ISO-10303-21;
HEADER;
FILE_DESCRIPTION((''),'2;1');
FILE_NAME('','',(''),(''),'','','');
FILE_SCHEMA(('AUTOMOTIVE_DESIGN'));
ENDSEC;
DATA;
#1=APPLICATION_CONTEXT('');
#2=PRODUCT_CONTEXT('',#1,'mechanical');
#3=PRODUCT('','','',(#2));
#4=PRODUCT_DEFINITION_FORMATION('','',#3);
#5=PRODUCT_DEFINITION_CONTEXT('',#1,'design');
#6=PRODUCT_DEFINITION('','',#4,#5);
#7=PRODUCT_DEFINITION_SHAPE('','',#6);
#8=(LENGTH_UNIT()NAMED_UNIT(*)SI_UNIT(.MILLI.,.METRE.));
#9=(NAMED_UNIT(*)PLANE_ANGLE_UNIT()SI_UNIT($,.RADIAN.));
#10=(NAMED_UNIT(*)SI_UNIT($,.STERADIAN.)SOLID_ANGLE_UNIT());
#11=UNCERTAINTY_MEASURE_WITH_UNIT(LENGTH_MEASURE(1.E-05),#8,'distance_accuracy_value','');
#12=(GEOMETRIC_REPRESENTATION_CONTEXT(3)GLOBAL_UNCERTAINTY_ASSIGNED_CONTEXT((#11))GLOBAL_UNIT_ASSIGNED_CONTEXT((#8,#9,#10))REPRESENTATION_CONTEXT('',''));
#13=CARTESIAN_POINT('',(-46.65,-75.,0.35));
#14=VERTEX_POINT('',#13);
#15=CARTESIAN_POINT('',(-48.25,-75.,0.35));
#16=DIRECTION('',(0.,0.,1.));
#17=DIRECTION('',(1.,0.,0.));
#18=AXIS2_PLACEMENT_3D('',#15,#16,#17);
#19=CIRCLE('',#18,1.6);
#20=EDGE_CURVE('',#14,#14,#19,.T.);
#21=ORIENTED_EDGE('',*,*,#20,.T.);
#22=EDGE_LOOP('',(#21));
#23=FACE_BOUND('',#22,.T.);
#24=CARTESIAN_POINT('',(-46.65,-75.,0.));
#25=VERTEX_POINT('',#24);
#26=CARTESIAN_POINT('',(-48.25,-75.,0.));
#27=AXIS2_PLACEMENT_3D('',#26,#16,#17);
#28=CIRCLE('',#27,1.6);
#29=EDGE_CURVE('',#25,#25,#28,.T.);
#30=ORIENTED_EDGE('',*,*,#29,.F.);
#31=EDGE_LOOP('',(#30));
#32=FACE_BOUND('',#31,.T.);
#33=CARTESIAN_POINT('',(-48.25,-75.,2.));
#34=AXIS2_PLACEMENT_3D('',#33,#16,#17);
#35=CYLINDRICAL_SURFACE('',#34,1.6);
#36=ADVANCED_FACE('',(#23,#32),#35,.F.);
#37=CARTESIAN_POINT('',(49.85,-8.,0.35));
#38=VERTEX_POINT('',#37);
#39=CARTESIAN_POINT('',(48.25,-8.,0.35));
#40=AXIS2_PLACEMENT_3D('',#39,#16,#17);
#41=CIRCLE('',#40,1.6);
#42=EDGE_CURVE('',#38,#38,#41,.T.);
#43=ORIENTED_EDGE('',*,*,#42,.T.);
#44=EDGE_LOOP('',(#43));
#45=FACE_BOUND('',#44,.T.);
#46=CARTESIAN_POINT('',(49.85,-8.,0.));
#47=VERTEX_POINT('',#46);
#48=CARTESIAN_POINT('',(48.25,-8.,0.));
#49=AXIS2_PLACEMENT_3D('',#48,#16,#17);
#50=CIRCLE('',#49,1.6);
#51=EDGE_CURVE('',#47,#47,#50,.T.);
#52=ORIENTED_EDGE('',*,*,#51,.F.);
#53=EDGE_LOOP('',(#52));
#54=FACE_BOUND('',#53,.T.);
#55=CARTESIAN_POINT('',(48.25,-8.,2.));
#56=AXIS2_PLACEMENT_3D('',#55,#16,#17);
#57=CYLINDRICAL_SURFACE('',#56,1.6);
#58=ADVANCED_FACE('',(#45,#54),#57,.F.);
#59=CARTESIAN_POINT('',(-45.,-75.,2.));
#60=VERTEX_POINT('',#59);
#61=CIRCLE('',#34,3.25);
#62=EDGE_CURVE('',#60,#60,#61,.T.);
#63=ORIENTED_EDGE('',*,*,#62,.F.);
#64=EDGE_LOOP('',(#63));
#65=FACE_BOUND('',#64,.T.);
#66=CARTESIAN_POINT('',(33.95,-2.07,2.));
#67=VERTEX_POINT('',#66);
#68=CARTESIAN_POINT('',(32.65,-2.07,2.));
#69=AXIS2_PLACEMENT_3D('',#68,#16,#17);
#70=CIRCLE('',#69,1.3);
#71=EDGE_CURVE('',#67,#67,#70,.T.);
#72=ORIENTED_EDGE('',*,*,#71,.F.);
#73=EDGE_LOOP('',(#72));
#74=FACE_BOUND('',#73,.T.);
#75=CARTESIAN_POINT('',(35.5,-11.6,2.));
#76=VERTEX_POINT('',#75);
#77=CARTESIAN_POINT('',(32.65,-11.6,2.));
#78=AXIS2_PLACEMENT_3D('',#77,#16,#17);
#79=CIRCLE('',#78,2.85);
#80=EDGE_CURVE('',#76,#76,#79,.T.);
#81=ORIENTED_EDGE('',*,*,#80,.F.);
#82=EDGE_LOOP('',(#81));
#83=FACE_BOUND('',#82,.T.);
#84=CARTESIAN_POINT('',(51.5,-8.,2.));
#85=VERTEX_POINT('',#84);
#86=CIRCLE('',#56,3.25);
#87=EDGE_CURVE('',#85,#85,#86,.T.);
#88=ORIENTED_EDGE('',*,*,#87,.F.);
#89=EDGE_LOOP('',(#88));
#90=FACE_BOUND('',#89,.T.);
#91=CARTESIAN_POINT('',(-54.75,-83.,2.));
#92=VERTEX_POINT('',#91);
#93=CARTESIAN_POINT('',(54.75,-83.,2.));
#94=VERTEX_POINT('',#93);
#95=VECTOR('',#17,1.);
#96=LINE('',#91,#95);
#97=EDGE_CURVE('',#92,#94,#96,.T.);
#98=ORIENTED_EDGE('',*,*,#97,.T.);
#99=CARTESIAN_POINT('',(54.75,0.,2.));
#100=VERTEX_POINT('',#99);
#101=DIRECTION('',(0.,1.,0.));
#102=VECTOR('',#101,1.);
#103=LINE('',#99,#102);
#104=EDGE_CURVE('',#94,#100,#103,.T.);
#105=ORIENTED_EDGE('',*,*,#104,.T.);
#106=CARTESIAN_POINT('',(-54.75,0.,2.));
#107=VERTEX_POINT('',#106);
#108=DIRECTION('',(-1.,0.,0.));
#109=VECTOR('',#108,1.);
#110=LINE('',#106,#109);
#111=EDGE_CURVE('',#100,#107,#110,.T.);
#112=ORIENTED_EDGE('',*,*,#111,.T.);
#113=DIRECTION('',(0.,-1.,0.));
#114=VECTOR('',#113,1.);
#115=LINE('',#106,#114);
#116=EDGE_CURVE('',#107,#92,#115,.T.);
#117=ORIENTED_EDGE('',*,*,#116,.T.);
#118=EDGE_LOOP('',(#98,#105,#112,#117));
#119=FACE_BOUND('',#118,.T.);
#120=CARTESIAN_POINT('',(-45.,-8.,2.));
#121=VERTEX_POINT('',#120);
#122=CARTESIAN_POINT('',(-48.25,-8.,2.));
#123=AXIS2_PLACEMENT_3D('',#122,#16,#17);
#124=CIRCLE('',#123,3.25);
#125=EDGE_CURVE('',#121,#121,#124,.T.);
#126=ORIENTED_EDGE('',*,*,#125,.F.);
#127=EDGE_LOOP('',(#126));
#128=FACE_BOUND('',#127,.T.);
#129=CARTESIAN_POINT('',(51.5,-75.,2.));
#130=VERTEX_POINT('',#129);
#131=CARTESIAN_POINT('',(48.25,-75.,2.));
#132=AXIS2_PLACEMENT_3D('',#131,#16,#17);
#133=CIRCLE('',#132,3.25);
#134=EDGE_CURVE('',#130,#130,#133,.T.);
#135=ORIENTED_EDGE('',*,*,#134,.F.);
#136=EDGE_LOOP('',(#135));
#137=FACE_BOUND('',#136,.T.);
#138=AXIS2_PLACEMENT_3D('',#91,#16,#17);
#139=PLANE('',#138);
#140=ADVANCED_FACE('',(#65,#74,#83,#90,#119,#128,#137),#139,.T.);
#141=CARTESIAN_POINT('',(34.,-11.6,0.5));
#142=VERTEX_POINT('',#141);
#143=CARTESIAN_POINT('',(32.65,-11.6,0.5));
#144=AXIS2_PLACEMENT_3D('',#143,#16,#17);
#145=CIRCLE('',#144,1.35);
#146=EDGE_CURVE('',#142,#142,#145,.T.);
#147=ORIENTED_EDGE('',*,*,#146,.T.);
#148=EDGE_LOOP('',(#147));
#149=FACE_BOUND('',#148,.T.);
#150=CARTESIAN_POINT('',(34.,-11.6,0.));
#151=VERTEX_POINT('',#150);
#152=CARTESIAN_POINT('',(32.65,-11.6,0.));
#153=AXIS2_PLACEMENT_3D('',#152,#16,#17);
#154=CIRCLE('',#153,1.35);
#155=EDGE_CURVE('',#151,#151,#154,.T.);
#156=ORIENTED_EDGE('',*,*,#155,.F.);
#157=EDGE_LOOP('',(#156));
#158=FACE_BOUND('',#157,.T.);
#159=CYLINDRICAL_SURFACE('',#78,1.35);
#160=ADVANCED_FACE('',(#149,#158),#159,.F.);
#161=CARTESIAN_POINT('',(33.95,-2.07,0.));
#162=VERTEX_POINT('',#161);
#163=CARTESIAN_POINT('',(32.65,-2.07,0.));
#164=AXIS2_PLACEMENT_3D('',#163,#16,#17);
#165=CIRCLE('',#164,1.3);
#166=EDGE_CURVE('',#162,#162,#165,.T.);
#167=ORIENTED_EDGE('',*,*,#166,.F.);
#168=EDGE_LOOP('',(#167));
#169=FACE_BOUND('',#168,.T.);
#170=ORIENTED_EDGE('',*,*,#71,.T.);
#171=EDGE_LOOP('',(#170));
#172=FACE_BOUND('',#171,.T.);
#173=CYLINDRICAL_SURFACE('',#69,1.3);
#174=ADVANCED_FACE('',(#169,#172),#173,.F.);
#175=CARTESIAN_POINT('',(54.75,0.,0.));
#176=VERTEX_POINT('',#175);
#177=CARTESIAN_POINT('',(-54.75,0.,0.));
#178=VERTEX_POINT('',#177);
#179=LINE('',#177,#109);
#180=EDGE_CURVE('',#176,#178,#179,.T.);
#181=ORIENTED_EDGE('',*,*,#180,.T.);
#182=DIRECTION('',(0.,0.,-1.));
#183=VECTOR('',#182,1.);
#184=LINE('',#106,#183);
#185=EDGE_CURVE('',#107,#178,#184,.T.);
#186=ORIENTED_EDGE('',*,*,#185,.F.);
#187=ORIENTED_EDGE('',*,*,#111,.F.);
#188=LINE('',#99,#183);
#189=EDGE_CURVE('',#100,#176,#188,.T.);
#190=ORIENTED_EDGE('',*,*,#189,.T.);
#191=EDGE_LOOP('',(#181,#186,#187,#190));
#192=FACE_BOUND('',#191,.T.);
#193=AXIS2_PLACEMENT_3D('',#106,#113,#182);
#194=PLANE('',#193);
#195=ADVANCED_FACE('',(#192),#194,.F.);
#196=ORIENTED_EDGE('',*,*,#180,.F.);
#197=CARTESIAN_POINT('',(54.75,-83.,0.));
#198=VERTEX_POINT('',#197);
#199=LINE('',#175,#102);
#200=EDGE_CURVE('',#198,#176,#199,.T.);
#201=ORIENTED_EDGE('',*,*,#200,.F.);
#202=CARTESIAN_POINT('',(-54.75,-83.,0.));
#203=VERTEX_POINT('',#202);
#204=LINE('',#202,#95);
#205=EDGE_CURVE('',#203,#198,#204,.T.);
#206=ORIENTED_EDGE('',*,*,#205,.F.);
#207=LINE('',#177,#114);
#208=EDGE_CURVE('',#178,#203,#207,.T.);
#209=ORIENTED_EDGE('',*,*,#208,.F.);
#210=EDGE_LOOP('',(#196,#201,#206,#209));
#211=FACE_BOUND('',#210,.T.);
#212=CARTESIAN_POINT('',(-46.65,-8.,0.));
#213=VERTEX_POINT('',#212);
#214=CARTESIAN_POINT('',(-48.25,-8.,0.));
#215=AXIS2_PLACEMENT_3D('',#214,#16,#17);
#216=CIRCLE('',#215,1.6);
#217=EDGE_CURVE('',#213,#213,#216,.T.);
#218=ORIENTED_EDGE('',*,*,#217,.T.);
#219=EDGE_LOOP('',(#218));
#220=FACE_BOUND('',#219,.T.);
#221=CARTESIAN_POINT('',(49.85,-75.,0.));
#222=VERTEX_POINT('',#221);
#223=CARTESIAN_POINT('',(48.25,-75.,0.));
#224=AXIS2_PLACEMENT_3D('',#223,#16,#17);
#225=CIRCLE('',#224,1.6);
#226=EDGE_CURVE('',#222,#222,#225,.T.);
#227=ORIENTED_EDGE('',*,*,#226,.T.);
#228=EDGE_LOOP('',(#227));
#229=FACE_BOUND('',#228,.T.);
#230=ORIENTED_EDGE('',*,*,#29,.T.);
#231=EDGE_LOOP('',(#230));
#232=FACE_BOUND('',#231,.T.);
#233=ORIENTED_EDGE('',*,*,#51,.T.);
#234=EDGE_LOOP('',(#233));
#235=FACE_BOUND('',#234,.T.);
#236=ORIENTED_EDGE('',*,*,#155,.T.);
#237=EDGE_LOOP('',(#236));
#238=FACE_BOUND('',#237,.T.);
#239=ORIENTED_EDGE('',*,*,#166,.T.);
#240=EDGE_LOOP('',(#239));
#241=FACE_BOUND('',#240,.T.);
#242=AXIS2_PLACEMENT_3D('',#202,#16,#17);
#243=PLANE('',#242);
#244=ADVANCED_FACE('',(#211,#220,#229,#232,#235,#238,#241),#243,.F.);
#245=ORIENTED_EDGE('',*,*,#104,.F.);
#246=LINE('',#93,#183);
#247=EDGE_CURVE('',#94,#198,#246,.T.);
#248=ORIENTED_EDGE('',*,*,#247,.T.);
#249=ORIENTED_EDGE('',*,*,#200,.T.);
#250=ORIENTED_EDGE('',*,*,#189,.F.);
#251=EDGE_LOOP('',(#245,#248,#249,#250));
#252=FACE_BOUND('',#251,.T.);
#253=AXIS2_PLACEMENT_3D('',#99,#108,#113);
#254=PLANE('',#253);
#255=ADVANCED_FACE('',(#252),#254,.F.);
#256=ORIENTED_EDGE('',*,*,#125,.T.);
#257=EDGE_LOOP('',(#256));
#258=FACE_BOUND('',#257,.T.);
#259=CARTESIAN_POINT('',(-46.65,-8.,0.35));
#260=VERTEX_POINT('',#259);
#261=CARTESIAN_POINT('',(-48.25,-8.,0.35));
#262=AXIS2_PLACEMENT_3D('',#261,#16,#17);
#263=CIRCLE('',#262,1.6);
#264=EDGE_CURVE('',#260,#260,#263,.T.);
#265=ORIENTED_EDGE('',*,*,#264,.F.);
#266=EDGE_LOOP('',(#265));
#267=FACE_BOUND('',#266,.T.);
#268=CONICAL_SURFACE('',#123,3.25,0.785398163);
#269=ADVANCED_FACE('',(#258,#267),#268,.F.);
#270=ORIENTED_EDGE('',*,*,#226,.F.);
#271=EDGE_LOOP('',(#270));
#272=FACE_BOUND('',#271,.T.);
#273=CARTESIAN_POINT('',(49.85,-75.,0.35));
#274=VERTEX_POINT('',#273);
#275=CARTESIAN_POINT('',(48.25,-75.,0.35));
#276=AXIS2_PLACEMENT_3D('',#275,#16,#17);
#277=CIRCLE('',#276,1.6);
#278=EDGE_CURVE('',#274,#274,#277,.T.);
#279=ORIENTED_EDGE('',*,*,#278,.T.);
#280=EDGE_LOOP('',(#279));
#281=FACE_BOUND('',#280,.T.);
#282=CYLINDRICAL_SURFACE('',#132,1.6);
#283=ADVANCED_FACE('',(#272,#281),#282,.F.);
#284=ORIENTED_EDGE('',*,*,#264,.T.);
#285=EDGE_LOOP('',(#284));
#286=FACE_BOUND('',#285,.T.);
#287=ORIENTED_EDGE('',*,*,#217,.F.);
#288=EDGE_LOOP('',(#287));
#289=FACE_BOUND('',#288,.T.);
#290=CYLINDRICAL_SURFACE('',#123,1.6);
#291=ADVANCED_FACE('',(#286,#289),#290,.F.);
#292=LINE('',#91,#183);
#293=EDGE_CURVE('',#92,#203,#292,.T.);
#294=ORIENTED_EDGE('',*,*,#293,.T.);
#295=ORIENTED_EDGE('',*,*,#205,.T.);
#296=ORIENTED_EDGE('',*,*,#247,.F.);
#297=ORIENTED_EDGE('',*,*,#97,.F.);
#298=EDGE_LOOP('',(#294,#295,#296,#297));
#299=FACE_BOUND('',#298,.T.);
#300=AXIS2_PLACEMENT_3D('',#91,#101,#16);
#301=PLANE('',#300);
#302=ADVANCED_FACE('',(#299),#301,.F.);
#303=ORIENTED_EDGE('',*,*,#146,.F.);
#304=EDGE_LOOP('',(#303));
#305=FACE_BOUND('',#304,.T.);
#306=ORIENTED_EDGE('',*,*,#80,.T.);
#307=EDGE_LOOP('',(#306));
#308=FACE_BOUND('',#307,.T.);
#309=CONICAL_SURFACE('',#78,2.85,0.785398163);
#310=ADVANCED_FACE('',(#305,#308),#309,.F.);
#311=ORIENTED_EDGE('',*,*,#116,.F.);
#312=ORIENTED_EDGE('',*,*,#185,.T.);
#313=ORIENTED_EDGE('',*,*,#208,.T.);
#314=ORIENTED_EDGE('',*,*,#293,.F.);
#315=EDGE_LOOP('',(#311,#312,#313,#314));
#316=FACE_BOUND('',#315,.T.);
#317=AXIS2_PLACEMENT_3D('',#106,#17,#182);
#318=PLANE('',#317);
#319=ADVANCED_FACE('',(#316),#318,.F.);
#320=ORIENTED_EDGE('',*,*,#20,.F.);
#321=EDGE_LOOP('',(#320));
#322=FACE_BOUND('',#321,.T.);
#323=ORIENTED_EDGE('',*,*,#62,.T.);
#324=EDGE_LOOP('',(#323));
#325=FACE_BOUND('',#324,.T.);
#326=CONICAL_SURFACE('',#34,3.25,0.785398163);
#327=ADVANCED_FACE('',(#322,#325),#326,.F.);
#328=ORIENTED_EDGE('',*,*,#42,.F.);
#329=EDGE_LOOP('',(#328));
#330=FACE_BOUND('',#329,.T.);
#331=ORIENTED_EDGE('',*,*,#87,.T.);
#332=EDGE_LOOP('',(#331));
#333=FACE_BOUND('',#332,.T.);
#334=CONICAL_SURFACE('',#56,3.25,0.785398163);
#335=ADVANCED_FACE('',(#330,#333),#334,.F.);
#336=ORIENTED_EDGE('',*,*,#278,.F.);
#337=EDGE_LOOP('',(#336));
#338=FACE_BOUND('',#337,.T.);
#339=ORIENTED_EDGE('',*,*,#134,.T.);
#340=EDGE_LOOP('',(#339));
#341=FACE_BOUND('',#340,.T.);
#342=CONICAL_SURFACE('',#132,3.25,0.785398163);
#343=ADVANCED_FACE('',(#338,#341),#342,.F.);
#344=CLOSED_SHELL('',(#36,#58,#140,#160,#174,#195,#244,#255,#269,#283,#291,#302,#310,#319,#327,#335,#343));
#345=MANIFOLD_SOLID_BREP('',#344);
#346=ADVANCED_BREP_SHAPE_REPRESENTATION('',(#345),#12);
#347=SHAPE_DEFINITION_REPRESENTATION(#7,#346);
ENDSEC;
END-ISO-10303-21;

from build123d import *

# Parameters (mm, degrees)
SKETCH1_W                                    = 109.5
SKETCH1_H                                    = 83
BOSS_EXTRUDE1_DEPTH                          = 2
CSK_FOR_M3_FLAT_COUNTERSUNK_HEAD_SCR_2_COUNT = 2
CSK_FOR_M3_FLAT_COUNTERSUNK_HEAD_SCR_2_PITCH = 67
CSK_FOR_M3_FLAT_COUNTERSUNK_HEAD_SCR_3_COUNT = 2
CSK_FOR_M3_FLAT_COUNTERSUNK_HEAD_SCR_3_PITCH = 117.478721478
CSK_FOR_M3_FLAT_COUNTERSUNK_HEAD_SCR_4_COUNT = 2
CSK_FOR_M3_FLAT_COUNTERSUNK_HEAD_SCR_4_PITCH = 96.5
F_2_6_2_6_DIAMETER_HOLE1_D                   = 2.6


with BuildPart() as part:
    # Sketch1 → Boss-Extrude1 (new body)
    with BuildSketch(Plane.XY):
        with Locations((0, -41.5)):
            Rectangle(SKETCH1_W, SKETCH1_H)
    extrude(amount=BOSS_EXTRUDE1_DEPTH)

    # Sketch3 → CSK for M3 Flat Countersunk Head Screw1 (revolve, cut)
    with BuildSketch(Plane(origin=(-48.25, -8, 2), x_dir=(0, -1, 0), z_dir=(1, 0, 0))):
        Polygon((0, 0), (0, 2), (1.6, 2), (1.6, 1.65), (3.25, 0), align=None)
    csk_for_m3_flat_countersunk_head_screw1 = revolve(axis=Axis((-48.25, -8, 8.35), (0, 0, -1)), mode=Mode.SUBTRACT)

    # CSK for M3 Flat Countersunk Head Scr 2: CSK for M3 Flat Countersunk Head Screw1 ×2
    with Locations(*[(0, -i * CSK_FOR_M3_FLAT_COUNTERSUNK_HEAD_SCR_2_PITCH, 0) for i in range(1, CSK_FOR_M3_FLAT_COUNTERSUNK_HEAD_SCR_2_COUNT)]):
        add(csk_for_m3_flat_countersunk_head_screw1, mode=Mode.SUBTRACT)

    # CSK for M3 Flat Countersunk Head Scr 3: CSK for M3 Flat Countersunk Head Screw1 ×2
    with Locations(*[Vector(0.8214253507895062, -0.570316046662144, 0) * (i * CSK_FOR_M3_FLAT_COUNTERSUNK_HEAD_SCR_3_PITCH) for i in range(1, CSK_FOR_M3_FLAT_COUNTERSUNK_HEAD_SCR_3_COUNT)]):
        add(csk_for_m3_flat_countersunk_head_screw1, mode=Mode.SUBTRACT)

    # CSK for M3 Flat Countersunk Head Scr 4: CSK for M3 Flat Countersunk Head Screw1 ×2
    with Locations(*[(i * CSK_FOR_M3_FLAT_COUNTERSUNK_HEAD_SCR_4_PITCH, 0, 0) for i in range(1, CSK_FOR_M3_FLAT_COUNTERSUNK_HEAD_SCR_4_COUNT)]):
        add(csk_for_m3_flat_countersunk_head_screw1, mode=Mode.SUBTRACT)

    # Sketch5 → CSK for M2.5 Flat Countersunk Head Screw1 (revolve, cut)
    with BuildSketch(Plane(origin=(32.65, -11.6, 2), x_dir=(0, -1, 0), z_dir=(1, 0, 0))):
        Polygon((0, 0), (0, 2), (1.35, 2), (1.35, 1.5), (2.85, 0), align=None)
    revolve(axis=Axis((32.65, -11.6, 8.35), (0, 0, -1)), mode=Mode.SUBTRACT)

    # Ø2.6 (2.6) Diameter Hole1 (through all)
    with Locations(Plane.XY.offset(2)):
        with Locations((32.65, -2.07)):
            Hole(F_2_6_2_6_DIAMETER_HOLE1_D / 2)


solid = part.part
